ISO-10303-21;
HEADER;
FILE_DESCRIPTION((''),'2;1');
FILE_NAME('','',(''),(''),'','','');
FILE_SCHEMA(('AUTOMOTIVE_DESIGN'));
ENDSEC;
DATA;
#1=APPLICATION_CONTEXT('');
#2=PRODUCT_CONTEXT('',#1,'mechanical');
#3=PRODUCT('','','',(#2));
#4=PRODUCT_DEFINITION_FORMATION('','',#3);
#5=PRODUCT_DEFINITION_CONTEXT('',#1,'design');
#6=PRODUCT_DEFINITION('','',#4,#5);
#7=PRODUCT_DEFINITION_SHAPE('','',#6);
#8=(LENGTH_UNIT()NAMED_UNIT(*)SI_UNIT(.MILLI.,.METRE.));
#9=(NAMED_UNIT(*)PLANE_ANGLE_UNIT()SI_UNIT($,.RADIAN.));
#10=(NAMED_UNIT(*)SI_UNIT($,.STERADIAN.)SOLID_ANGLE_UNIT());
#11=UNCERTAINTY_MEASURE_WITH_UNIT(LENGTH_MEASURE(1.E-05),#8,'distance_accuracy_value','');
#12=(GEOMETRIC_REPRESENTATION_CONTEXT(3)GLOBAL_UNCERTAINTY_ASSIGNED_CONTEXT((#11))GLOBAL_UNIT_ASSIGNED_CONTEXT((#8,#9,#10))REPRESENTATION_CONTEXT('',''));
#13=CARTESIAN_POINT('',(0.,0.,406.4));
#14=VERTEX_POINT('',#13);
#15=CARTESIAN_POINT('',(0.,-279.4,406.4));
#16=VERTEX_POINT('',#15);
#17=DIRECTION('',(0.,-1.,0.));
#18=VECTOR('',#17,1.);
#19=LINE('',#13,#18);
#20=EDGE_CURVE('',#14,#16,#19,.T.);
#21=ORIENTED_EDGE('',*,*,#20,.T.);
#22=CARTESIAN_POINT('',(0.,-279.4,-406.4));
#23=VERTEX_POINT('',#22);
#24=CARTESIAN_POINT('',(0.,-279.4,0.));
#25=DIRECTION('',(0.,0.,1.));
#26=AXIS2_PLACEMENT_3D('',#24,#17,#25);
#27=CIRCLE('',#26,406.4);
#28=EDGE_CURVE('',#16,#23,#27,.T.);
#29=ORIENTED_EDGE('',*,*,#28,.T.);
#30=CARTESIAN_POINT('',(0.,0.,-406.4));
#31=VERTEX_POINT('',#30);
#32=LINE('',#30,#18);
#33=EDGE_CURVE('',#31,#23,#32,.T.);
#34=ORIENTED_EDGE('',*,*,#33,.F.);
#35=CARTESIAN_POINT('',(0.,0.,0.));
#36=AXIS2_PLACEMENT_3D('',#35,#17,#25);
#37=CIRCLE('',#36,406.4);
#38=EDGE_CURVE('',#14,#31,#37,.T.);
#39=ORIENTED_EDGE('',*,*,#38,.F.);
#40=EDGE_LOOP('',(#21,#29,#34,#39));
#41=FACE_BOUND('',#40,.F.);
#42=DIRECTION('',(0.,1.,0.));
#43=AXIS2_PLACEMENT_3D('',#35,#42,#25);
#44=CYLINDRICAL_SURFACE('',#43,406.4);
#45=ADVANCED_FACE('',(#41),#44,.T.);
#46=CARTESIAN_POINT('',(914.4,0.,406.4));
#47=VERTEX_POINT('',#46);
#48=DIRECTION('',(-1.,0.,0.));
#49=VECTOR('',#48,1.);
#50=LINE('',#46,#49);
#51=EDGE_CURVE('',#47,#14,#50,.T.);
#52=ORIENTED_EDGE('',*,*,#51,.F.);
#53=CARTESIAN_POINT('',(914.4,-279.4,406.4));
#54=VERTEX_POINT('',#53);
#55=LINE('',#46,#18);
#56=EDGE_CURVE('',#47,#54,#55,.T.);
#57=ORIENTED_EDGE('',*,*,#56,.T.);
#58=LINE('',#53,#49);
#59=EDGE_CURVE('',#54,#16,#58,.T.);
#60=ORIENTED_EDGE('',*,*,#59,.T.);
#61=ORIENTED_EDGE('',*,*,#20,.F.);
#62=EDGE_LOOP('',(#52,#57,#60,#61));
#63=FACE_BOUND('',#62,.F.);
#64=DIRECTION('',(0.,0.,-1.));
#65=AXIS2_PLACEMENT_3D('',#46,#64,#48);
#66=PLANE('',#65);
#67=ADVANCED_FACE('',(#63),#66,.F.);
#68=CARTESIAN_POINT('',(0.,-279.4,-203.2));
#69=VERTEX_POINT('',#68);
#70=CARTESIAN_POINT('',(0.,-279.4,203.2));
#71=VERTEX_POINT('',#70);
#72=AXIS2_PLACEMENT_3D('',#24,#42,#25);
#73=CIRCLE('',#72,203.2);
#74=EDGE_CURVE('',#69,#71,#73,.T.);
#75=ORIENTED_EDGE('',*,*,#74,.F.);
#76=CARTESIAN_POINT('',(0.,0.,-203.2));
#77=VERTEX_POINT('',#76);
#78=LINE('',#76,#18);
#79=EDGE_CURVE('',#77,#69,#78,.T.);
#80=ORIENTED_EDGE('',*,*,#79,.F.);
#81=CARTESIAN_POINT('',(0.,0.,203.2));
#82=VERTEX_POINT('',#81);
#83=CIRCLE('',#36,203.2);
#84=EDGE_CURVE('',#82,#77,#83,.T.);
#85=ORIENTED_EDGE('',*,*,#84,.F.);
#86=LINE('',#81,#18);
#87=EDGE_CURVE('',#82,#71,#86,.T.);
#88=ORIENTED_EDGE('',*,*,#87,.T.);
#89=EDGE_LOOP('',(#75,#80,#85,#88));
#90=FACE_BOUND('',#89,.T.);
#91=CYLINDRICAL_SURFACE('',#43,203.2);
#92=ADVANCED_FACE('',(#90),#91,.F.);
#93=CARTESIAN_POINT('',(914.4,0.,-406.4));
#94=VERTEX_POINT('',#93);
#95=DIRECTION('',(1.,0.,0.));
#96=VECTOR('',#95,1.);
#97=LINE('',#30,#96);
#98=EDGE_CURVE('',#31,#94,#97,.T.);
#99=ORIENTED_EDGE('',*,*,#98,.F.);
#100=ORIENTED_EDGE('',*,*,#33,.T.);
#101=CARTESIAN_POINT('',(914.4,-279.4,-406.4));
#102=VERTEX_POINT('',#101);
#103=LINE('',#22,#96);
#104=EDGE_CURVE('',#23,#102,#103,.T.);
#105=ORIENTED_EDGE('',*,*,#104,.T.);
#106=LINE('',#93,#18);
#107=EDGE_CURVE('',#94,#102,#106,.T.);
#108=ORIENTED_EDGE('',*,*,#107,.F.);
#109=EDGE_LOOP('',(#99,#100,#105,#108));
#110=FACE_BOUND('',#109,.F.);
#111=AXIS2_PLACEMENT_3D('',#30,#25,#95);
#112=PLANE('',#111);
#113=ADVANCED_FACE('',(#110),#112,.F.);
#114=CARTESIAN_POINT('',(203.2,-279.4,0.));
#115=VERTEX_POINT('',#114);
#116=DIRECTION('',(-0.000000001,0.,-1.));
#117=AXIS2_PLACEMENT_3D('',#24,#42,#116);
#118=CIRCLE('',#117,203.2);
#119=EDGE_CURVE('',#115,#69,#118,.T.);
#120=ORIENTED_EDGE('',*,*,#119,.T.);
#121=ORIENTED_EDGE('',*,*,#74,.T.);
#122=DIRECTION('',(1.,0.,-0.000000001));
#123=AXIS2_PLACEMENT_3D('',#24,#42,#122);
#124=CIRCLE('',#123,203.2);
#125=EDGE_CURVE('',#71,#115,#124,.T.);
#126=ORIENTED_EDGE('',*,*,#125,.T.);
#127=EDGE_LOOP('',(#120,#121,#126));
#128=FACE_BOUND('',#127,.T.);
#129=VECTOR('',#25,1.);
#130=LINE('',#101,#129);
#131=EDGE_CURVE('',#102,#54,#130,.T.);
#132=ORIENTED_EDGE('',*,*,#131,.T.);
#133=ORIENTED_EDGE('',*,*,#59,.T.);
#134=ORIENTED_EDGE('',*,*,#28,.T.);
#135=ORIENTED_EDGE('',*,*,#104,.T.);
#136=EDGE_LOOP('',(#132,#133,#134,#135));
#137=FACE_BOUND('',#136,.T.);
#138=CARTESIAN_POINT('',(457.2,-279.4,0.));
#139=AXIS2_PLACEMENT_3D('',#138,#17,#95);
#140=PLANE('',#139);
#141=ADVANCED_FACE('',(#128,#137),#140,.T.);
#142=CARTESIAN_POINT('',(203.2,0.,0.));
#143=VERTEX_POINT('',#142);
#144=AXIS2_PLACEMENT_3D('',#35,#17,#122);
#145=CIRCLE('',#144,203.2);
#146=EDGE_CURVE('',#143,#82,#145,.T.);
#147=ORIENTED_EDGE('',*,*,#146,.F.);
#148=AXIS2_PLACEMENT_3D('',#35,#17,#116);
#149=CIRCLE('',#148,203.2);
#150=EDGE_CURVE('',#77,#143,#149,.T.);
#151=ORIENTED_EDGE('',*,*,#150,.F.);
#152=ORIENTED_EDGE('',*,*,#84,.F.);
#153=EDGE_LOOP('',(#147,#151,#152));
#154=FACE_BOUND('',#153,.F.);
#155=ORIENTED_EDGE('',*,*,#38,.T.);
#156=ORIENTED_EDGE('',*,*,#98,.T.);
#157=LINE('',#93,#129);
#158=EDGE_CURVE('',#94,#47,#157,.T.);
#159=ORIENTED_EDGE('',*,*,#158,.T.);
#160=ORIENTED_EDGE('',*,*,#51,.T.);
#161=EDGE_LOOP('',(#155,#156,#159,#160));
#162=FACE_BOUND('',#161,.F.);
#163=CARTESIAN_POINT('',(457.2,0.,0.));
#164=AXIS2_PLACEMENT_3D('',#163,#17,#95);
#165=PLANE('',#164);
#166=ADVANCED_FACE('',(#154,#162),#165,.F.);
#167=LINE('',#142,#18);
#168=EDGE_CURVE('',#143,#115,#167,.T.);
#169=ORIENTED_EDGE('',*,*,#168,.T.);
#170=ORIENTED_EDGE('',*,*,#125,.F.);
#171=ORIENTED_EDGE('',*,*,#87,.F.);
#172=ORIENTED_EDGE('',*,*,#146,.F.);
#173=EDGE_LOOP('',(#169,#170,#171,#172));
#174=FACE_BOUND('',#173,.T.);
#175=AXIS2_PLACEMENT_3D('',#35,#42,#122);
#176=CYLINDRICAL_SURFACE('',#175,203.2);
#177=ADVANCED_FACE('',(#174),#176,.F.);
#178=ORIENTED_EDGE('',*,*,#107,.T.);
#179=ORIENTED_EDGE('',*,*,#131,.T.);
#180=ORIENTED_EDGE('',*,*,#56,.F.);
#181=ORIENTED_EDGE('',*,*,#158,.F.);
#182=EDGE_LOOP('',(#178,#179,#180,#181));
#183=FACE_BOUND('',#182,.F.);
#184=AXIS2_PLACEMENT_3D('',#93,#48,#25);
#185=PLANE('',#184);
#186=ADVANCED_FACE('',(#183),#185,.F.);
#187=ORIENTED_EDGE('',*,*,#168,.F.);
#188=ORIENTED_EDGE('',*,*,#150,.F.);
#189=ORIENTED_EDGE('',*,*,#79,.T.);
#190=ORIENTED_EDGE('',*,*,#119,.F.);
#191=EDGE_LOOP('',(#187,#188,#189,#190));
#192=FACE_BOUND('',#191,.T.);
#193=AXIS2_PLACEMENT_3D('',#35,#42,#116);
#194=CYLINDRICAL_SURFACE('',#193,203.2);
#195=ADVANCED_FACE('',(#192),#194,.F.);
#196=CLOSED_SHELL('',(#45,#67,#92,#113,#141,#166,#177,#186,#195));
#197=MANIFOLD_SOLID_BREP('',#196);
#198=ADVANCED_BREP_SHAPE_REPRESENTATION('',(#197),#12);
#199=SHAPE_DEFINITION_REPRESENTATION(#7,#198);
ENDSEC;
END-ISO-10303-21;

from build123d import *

# Parameters (mm, degrees)
F2_DEPTH = 279.4
F3_DEPTH = 464.82


with BuildPart() as f2:
    # F0 (on Front) → F2 (new body)
    with BuildSketch(Plane.XZ):
        Polygon((914.4, 406.4), (0, 406.4), (0, 0), (0, -406.4), (914.4, -406.4), (914.4, 0), align=None)
        with BuildLine():
            Line((0, 0), (0, 406.4))
            ThreePointArc((0, 406.4), (-406.4, 0), (0, -406.4))
            Line((0, -406.4), (0, 0))
        make_face()
    extrude(amount=F2_DEPTH)

    # F1 (on face) → F3 (cut)
    with BuildSketch(Plane.XZ):
        with BuildLine():
            ThreePointArc((0, -203.2), (143.684098, -143.684098), (203.2, 0))
            ThreePointArc((203.2, 0), (143.684098, 143.684098), (0, 203.2))
            Line((0, 203.2), (0, 0))
            Line((0, 0), (0, -203.2))
        make_face()
        with BuildLine():
            Line((0, 0), (0, 203.2))
            ThreePointArc((0, 203.2), (-203.2, 0), (0, -203.2))
            Line((0, -203.2), (0, 0))
        make_face()
    extrude(amount=F3_DEPTH, mode=Mode.SUBTRACT)


solid = f2.part
